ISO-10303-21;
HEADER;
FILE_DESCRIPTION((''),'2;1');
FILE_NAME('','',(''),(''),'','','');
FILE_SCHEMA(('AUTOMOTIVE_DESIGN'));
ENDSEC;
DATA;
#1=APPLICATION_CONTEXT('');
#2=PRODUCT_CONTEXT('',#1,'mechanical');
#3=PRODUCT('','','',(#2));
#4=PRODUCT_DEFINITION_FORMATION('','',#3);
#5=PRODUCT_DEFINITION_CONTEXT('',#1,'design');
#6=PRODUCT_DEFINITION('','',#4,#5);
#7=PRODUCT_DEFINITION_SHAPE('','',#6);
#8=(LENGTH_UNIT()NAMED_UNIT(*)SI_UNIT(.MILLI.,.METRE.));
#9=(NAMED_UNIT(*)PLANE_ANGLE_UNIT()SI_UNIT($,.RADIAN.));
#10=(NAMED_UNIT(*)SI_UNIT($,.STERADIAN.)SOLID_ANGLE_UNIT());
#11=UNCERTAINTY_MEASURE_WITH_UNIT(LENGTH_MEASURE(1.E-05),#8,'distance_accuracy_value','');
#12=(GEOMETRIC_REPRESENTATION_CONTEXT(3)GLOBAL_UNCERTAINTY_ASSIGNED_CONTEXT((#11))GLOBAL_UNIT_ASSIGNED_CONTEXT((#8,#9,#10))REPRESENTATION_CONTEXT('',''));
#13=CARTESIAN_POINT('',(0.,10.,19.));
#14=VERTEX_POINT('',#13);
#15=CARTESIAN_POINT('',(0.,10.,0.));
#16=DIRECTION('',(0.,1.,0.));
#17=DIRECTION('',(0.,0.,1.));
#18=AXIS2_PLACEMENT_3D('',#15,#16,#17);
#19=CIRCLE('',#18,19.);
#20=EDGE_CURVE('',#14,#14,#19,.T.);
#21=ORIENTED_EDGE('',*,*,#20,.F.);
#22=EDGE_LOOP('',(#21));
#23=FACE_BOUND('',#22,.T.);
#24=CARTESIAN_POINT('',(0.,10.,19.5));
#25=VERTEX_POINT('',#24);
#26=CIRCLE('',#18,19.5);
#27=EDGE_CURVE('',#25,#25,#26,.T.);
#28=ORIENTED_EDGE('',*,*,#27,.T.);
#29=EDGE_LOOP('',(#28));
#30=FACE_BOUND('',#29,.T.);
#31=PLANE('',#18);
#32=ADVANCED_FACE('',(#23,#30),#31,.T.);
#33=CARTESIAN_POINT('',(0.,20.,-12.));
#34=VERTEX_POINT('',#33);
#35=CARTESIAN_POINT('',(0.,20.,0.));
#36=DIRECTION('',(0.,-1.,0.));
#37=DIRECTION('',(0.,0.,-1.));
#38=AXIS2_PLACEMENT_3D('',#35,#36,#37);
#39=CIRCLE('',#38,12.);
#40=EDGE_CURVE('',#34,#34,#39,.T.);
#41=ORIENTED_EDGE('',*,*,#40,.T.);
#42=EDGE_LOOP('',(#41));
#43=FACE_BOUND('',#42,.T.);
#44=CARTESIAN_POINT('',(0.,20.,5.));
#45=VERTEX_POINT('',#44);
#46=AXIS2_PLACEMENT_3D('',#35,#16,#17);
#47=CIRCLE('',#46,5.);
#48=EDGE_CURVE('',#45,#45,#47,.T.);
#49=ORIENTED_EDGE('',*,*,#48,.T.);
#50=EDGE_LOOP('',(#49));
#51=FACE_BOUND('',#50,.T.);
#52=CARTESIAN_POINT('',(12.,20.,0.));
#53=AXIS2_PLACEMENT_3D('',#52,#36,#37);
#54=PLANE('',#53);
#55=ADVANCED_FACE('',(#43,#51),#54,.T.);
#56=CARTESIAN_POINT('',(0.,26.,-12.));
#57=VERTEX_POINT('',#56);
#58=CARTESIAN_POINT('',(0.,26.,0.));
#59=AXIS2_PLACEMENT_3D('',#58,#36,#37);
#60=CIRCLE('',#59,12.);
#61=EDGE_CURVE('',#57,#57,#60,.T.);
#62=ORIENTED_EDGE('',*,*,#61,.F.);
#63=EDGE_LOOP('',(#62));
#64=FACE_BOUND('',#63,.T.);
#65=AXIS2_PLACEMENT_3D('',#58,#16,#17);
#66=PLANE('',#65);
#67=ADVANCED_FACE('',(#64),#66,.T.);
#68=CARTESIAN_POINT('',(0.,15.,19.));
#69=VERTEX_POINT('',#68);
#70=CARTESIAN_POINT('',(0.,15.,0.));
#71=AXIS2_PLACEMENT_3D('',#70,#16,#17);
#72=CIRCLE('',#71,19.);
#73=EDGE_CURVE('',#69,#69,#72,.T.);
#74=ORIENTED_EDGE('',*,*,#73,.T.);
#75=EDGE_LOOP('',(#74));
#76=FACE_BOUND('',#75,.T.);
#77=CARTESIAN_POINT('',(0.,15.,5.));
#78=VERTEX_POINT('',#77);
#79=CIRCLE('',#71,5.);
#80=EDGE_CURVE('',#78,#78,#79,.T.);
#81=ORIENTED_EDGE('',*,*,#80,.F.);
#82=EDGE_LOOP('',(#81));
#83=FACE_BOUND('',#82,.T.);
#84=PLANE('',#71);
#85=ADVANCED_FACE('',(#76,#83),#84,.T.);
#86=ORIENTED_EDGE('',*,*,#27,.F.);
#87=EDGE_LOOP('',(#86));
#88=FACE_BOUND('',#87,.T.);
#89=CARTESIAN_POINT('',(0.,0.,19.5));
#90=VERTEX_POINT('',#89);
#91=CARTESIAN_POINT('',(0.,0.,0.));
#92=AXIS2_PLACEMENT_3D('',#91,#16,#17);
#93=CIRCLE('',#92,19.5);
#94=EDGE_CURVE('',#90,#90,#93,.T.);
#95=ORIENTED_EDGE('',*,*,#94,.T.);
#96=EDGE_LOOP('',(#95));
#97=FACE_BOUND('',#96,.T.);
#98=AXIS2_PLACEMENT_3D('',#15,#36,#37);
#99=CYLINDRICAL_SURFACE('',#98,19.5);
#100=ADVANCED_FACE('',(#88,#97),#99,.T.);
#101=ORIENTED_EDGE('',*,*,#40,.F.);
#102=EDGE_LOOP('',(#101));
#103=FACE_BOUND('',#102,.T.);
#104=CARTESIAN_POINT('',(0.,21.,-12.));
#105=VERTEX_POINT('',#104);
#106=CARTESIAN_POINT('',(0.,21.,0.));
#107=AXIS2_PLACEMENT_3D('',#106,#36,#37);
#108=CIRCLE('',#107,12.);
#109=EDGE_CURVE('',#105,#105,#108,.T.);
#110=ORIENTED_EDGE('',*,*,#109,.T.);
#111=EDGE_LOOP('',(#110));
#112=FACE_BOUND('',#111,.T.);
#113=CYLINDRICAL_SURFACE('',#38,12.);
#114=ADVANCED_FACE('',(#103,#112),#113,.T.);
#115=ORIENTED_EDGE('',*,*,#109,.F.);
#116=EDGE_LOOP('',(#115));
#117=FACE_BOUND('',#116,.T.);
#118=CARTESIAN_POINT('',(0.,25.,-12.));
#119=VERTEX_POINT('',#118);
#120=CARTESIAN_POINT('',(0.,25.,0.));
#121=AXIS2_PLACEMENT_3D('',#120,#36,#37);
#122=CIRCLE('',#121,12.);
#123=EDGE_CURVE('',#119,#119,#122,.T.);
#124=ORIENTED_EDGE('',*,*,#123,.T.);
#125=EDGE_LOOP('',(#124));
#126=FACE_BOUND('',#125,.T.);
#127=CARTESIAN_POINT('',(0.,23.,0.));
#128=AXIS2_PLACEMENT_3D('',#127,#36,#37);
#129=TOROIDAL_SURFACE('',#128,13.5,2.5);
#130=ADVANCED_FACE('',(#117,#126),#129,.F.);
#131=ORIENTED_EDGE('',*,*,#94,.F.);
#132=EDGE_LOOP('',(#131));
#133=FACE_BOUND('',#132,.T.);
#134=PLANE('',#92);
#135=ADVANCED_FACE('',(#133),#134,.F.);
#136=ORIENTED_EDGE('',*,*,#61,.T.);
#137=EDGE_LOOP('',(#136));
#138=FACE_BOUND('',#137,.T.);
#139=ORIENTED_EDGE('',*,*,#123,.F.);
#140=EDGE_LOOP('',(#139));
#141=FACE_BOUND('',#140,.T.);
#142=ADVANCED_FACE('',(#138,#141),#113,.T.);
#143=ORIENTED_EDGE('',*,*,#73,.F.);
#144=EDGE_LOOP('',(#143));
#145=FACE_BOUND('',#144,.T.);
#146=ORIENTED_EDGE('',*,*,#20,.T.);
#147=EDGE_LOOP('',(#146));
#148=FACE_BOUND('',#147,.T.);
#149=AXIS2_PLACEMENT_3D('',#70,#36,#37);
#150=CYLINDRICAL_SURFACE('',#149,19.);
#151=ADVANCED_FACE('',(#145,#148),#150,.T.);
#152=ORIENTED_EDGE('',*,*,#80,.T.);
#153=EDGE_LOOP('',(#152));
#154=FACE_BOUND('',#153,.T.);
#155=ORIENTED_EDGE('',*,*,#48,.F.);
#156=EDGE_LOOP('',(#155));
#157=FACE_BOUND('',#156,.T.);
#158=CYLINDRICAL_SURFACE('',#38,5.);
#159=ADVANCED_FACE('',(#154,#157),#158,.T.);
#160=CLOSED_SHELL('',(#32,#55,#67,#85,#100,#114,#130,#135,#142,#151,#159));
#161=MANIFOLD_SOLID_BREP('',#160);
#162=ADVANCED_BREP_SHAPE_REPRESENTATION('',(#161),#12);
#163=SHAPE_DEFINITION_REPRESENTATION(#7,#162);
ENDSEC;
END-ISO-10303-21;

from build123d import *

# Parameters (mm, degrees)
SKETCH_1_R      = 19.5
EXTRUDE_1_DEPTH = 10
SKETCH_2_R      = 19
EXTRUDE_2_DEPTH = 5
SKETCH_3_R      = 5
EXTRUDE_3_DEPTH = 5


with BuildPart() as part:
    # 草图1 → 凸台-拉伸1 (new body)
    with BuildSketch(Plane(origin=(0, 0, 0), x_dir=(1, 0, 0), z_dir=(0, 1, 0))):
        Circle(SKETCH_1_R)
    extrude(amount=EXTRUDE_1_DEPTH)

    # 草图2 → 凸台-拉伸2 (add)
    with BuildSketch(Plane(origin=(0, 10, 0), x_dir=(1, 0, 0), z_dir=(0, 1, 0))):
        Circle(SKETCH_2_R)
    extrude(amount=EXTRUDE_2_DEPTH)

    # 草图3 → 凸台-拉伸3 (add)
    with BuildSketch(Plane(origin=(0, 15, 0), x_dir=(1, 0, 0), z_dir=(0, 1, 0))):
        Circle(SKETCH_3_R)
    extrude(amount=EXTRUDE_3_DEPTH)

    # 草图5 → 旋转1 (revolve)
    with BuildSketch(Plane.XY):
        with BuildLine():
            Line((0, 20), (0, 26))
            Line((0, 26), (12, 26))
            Line((12, 26), (12, 25))
            ThreePointArc((12, 25), (11, 23), (12, 21))
            Line((12, 21), (12, 20))
            Line((12, 20), (0, 20))
        make_face()
    revolve(axis=Axis((0, 20, 0), (0, 1, 0)))


solid = part.part
